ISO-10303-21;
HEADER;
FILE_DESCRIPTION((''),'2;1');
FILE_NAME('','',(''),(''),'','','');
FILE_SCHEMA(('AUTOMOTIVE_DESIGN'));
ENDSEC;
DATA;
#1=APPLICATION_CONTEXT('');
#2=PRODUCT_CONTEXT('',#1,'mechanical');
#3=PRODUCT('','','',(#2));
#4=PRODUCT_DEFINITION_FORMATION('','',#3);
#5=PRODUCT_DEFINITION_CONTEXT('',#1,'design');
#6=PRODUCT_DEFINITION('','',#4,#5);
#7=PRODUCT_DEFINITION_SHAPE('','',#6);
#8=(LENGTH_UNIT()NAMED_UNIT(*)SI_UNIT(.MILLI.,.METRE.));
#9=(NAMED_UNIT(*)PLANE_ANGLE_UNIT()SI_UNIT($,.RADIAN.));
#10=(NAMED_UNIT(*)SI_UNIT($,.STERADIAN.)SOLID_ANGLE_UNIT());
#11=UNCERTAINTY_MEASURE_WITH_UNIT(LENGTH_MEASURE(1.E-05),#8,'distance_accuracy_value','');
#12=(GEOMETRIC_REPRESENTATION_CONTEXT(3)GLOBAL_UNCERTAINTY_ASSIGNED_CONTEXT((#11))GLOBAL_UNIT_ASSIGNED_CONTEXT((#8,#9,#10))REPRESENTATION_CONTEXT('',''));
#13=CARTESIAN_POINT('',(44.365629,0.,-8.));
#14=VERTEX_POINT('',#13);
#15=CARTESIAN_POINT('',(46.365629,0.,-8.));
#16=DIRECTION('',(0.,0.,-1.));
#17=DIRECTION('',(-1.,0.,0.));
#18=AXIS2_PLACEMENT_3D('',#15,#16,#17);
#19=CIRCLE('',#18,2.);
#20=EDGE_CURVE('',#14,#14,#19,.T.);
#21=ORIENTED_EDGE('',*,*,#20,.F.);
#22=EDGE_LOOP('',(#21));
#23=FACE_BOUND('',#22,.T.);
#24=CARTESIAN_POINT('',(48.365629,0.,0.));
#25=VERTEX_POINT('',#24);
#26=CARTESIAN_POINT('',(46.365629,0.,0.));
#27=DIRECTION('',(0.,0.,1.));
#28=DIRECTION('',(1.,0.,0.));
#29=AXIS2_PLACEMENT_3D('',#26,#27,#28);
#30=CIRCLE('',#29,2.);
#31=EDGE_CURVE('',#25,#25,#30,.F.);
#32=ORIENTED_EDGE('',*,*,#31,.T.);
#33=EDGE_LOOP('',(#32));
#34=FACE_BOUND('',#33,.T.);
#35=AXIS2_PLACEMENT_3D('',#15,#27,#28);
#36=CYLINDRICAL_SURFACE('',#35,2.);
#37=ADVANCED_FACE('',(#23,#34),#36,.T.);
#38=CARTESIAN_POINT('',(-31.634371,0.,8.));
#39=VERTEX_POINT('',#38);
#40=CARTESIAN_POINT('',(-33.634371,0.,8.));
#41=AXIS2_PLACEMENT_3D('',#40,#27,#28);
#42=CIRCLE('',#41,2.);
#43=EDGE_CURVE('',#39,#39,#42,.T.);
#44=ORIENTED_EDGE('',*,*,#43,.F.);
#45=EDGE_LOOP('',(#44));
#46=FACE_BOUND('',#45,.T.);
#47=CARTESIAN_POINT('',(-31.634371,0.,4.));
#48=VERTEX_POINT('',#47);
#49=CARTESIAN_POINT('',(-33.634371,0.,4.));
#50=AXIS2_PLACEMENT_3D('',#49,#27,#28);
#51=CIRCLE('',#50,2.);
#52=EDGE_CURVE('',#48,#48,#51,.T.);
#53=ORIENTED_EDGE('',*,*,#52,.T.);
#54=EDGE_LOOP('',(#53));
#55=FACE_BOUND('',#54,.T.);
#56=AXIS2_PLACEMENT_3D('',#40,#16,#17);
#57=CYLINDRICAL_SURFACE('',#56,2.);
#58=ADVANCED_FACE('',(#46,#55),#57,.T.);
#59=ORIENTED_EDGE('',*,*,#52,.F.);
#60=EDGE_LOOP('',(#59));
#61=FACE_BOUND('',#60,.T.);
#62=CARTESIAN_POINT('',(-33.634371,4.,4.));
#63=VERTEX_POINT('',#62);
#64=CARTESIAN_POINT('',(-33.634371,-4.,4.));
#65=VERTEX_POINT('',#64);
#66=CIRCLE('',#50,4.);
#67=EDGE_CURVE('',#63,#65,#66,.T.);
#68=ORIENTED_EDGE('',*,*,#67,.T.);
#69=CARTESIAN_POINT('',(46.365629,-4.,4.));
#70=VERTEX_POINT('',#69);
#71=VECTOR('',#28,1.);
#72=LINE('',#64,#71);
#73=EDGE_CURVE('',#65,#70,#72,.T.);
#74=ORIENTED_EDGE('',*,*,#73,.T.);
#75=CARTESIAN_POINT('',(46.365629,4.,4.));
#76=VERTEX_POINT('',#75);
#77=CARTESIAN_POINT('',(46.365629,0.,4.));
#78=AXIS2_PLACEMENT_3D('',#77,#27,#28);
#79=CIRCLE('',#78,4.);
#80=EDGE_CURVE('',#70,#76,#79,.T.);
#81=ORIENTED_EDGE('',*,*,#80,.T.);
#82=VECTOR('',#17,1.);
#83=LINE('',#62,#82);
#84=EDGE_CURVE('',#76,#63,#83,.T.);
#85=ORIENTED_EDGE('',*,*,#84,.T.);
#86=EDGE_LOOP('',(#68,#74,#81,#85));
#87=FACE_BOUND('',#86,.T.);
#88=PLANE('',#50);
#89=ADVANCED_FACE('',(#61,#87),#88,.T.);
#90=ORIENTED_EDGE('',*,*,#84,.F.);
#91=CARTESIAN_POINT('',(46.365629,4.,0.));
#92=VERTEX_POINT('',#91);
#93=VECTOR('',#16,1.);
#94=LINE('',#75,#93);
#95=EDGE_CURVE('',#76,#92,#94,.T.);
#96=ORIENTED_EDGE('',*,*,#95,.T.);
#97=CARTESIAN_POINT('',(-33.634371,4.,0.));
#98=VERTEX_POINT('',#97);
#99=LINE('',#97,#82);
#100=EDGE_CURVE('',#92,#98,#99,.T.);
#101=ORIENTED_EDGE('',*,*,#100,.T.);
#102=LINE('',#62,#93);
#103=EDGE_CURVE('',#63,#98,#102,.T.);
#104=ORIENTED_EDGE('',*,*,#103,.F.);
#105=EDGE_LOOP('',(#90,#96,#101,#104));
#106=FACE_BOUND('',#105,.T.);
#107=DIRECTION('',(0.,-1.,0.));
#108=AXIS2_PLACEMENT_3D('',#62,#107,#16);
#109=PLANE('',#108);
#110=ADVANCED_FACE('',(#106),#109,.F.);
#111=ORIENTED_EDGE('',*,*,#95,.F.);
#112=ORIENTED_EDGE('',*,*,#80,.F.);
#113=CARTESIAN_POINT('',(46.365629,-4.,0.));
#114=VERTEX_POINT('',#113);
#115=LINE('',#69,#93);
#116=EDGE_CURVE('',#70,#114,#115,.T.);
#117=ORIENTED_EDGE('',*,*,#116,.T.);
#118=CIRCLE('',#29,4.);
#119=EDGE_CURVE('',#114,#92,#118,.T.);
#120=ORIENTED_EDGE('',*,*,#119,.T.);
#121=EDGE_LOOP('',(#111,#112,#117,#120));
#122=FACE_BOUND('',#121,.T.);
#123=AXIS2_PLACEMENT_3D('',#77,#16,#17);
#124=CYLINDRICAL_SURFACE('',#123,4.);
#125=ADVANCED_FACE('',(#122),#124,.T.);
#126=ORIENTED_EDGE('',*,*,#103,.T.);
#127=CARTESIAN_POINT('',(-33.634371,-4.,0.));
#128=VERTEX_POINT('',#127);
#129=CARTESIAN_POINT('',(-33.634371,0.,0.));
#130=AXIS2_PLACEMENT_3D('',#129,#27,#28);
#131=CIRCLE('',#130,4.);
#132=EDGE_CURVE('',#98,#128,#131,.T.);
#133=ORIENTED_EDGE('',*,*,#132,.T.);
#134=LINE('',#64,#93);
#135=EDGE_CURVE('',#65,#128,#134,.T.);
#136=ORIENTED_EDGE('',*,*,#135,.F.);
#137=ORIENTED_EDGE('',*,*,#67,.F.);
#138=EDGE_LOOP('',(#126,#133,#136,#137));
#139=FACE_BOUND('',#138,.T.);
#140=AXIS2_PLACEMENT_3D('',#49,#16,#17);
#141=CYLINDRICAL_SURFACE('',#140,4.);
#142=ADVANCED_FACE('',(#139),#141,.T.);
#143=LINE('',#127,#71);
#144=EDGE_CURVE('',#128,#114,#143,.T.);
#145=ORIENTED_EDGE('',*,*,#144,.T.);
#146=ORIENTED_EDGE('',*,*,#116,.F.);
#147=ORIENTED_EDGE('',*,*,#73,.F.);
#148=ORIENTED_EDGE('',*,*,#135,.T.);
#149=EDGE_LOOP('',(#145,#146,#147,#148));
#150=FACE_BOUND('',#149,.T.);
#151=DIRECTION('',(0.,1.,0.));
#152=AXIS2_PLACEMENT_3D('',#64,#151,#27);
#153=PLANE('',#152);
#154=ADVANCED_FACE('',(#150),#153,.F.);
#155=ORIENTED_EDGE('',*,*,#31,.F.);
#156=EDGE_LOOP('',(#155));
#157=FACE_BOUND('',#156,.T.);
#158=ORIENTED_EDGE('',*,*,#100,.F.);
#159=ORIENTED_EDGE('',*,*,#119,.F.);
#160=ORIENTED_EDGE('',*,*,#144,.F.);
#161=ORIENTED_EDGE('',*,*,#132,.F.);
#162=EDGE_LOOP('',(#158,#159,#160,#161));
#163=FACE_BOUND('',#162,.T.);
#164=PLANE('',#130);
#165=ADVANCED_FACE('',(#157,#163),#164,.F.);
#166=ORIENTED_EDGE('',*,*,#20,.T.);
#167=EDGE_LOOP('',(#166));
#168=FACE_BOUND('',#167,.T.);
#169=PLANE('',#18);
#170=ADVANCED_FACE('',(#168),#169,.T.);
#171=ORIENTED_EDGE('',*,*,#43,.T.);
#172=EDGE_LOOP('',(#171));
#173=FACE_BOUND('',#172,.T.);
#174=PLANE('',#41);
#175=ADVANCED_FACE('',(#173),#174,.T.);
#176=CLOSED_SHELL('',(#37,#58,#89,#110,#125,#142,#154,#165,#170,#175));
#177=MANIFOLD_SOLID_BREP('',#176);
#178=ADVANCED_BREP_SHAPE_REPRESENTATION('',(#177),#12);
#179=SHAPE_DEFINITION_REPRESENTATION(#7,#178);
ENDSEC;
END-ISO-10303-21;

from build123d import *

# Parameters (mm, degrees)
EXTRUDE_1_DEPTH = 4
SKETCH_2_R      = 2
EXTRUDE_2_DEPTH = 8
SKETCH_3_R      = 2
EXTRUDE_3_DEPTH = 4


with BuildPart() as part:
    # 草图1 → 凸台-拉伸1 (new body)
    with BuildSketch(Plane.XY):
        with BuildLine():
            Line((-33.634370857, -4), (46.365629143, -4))
            ThreePointArc((46.365629143, -4), (50.365629143, 0), (46.365629143, 4))
            Line((46.365629143, 4), (-33.634370857, 4))
            ThreePointArc((-33.634370857, 4), (-37.634370857, 0), (-33.634370857, -4))
        make_face()
    extrude(amount=EXTRUDE_1_DEPTH)

    # 草图2 → 凸台-拉伸2 (add)
    with BuildSketch(Plane(origin=(0, 0, 0), x_dir=(-1, 0, 0), z_dir=(0, 0, -1))):
        with Locations((-46.365629143, 0)):
            Circle(SKETCH_2_R)
    extrude(amount=EXTRUDE_2_DEPTH)

    # 草图3 → 凸台-拉伸3 (add)
    with BuildSketch(Plane.XY.offset(4)):
        with Locations((-33.634370857, 0)):
            Circle(SKETCH_3_R)
    extrude(amount=EXTRUDE_3_DEPTH)


solid = part.part
